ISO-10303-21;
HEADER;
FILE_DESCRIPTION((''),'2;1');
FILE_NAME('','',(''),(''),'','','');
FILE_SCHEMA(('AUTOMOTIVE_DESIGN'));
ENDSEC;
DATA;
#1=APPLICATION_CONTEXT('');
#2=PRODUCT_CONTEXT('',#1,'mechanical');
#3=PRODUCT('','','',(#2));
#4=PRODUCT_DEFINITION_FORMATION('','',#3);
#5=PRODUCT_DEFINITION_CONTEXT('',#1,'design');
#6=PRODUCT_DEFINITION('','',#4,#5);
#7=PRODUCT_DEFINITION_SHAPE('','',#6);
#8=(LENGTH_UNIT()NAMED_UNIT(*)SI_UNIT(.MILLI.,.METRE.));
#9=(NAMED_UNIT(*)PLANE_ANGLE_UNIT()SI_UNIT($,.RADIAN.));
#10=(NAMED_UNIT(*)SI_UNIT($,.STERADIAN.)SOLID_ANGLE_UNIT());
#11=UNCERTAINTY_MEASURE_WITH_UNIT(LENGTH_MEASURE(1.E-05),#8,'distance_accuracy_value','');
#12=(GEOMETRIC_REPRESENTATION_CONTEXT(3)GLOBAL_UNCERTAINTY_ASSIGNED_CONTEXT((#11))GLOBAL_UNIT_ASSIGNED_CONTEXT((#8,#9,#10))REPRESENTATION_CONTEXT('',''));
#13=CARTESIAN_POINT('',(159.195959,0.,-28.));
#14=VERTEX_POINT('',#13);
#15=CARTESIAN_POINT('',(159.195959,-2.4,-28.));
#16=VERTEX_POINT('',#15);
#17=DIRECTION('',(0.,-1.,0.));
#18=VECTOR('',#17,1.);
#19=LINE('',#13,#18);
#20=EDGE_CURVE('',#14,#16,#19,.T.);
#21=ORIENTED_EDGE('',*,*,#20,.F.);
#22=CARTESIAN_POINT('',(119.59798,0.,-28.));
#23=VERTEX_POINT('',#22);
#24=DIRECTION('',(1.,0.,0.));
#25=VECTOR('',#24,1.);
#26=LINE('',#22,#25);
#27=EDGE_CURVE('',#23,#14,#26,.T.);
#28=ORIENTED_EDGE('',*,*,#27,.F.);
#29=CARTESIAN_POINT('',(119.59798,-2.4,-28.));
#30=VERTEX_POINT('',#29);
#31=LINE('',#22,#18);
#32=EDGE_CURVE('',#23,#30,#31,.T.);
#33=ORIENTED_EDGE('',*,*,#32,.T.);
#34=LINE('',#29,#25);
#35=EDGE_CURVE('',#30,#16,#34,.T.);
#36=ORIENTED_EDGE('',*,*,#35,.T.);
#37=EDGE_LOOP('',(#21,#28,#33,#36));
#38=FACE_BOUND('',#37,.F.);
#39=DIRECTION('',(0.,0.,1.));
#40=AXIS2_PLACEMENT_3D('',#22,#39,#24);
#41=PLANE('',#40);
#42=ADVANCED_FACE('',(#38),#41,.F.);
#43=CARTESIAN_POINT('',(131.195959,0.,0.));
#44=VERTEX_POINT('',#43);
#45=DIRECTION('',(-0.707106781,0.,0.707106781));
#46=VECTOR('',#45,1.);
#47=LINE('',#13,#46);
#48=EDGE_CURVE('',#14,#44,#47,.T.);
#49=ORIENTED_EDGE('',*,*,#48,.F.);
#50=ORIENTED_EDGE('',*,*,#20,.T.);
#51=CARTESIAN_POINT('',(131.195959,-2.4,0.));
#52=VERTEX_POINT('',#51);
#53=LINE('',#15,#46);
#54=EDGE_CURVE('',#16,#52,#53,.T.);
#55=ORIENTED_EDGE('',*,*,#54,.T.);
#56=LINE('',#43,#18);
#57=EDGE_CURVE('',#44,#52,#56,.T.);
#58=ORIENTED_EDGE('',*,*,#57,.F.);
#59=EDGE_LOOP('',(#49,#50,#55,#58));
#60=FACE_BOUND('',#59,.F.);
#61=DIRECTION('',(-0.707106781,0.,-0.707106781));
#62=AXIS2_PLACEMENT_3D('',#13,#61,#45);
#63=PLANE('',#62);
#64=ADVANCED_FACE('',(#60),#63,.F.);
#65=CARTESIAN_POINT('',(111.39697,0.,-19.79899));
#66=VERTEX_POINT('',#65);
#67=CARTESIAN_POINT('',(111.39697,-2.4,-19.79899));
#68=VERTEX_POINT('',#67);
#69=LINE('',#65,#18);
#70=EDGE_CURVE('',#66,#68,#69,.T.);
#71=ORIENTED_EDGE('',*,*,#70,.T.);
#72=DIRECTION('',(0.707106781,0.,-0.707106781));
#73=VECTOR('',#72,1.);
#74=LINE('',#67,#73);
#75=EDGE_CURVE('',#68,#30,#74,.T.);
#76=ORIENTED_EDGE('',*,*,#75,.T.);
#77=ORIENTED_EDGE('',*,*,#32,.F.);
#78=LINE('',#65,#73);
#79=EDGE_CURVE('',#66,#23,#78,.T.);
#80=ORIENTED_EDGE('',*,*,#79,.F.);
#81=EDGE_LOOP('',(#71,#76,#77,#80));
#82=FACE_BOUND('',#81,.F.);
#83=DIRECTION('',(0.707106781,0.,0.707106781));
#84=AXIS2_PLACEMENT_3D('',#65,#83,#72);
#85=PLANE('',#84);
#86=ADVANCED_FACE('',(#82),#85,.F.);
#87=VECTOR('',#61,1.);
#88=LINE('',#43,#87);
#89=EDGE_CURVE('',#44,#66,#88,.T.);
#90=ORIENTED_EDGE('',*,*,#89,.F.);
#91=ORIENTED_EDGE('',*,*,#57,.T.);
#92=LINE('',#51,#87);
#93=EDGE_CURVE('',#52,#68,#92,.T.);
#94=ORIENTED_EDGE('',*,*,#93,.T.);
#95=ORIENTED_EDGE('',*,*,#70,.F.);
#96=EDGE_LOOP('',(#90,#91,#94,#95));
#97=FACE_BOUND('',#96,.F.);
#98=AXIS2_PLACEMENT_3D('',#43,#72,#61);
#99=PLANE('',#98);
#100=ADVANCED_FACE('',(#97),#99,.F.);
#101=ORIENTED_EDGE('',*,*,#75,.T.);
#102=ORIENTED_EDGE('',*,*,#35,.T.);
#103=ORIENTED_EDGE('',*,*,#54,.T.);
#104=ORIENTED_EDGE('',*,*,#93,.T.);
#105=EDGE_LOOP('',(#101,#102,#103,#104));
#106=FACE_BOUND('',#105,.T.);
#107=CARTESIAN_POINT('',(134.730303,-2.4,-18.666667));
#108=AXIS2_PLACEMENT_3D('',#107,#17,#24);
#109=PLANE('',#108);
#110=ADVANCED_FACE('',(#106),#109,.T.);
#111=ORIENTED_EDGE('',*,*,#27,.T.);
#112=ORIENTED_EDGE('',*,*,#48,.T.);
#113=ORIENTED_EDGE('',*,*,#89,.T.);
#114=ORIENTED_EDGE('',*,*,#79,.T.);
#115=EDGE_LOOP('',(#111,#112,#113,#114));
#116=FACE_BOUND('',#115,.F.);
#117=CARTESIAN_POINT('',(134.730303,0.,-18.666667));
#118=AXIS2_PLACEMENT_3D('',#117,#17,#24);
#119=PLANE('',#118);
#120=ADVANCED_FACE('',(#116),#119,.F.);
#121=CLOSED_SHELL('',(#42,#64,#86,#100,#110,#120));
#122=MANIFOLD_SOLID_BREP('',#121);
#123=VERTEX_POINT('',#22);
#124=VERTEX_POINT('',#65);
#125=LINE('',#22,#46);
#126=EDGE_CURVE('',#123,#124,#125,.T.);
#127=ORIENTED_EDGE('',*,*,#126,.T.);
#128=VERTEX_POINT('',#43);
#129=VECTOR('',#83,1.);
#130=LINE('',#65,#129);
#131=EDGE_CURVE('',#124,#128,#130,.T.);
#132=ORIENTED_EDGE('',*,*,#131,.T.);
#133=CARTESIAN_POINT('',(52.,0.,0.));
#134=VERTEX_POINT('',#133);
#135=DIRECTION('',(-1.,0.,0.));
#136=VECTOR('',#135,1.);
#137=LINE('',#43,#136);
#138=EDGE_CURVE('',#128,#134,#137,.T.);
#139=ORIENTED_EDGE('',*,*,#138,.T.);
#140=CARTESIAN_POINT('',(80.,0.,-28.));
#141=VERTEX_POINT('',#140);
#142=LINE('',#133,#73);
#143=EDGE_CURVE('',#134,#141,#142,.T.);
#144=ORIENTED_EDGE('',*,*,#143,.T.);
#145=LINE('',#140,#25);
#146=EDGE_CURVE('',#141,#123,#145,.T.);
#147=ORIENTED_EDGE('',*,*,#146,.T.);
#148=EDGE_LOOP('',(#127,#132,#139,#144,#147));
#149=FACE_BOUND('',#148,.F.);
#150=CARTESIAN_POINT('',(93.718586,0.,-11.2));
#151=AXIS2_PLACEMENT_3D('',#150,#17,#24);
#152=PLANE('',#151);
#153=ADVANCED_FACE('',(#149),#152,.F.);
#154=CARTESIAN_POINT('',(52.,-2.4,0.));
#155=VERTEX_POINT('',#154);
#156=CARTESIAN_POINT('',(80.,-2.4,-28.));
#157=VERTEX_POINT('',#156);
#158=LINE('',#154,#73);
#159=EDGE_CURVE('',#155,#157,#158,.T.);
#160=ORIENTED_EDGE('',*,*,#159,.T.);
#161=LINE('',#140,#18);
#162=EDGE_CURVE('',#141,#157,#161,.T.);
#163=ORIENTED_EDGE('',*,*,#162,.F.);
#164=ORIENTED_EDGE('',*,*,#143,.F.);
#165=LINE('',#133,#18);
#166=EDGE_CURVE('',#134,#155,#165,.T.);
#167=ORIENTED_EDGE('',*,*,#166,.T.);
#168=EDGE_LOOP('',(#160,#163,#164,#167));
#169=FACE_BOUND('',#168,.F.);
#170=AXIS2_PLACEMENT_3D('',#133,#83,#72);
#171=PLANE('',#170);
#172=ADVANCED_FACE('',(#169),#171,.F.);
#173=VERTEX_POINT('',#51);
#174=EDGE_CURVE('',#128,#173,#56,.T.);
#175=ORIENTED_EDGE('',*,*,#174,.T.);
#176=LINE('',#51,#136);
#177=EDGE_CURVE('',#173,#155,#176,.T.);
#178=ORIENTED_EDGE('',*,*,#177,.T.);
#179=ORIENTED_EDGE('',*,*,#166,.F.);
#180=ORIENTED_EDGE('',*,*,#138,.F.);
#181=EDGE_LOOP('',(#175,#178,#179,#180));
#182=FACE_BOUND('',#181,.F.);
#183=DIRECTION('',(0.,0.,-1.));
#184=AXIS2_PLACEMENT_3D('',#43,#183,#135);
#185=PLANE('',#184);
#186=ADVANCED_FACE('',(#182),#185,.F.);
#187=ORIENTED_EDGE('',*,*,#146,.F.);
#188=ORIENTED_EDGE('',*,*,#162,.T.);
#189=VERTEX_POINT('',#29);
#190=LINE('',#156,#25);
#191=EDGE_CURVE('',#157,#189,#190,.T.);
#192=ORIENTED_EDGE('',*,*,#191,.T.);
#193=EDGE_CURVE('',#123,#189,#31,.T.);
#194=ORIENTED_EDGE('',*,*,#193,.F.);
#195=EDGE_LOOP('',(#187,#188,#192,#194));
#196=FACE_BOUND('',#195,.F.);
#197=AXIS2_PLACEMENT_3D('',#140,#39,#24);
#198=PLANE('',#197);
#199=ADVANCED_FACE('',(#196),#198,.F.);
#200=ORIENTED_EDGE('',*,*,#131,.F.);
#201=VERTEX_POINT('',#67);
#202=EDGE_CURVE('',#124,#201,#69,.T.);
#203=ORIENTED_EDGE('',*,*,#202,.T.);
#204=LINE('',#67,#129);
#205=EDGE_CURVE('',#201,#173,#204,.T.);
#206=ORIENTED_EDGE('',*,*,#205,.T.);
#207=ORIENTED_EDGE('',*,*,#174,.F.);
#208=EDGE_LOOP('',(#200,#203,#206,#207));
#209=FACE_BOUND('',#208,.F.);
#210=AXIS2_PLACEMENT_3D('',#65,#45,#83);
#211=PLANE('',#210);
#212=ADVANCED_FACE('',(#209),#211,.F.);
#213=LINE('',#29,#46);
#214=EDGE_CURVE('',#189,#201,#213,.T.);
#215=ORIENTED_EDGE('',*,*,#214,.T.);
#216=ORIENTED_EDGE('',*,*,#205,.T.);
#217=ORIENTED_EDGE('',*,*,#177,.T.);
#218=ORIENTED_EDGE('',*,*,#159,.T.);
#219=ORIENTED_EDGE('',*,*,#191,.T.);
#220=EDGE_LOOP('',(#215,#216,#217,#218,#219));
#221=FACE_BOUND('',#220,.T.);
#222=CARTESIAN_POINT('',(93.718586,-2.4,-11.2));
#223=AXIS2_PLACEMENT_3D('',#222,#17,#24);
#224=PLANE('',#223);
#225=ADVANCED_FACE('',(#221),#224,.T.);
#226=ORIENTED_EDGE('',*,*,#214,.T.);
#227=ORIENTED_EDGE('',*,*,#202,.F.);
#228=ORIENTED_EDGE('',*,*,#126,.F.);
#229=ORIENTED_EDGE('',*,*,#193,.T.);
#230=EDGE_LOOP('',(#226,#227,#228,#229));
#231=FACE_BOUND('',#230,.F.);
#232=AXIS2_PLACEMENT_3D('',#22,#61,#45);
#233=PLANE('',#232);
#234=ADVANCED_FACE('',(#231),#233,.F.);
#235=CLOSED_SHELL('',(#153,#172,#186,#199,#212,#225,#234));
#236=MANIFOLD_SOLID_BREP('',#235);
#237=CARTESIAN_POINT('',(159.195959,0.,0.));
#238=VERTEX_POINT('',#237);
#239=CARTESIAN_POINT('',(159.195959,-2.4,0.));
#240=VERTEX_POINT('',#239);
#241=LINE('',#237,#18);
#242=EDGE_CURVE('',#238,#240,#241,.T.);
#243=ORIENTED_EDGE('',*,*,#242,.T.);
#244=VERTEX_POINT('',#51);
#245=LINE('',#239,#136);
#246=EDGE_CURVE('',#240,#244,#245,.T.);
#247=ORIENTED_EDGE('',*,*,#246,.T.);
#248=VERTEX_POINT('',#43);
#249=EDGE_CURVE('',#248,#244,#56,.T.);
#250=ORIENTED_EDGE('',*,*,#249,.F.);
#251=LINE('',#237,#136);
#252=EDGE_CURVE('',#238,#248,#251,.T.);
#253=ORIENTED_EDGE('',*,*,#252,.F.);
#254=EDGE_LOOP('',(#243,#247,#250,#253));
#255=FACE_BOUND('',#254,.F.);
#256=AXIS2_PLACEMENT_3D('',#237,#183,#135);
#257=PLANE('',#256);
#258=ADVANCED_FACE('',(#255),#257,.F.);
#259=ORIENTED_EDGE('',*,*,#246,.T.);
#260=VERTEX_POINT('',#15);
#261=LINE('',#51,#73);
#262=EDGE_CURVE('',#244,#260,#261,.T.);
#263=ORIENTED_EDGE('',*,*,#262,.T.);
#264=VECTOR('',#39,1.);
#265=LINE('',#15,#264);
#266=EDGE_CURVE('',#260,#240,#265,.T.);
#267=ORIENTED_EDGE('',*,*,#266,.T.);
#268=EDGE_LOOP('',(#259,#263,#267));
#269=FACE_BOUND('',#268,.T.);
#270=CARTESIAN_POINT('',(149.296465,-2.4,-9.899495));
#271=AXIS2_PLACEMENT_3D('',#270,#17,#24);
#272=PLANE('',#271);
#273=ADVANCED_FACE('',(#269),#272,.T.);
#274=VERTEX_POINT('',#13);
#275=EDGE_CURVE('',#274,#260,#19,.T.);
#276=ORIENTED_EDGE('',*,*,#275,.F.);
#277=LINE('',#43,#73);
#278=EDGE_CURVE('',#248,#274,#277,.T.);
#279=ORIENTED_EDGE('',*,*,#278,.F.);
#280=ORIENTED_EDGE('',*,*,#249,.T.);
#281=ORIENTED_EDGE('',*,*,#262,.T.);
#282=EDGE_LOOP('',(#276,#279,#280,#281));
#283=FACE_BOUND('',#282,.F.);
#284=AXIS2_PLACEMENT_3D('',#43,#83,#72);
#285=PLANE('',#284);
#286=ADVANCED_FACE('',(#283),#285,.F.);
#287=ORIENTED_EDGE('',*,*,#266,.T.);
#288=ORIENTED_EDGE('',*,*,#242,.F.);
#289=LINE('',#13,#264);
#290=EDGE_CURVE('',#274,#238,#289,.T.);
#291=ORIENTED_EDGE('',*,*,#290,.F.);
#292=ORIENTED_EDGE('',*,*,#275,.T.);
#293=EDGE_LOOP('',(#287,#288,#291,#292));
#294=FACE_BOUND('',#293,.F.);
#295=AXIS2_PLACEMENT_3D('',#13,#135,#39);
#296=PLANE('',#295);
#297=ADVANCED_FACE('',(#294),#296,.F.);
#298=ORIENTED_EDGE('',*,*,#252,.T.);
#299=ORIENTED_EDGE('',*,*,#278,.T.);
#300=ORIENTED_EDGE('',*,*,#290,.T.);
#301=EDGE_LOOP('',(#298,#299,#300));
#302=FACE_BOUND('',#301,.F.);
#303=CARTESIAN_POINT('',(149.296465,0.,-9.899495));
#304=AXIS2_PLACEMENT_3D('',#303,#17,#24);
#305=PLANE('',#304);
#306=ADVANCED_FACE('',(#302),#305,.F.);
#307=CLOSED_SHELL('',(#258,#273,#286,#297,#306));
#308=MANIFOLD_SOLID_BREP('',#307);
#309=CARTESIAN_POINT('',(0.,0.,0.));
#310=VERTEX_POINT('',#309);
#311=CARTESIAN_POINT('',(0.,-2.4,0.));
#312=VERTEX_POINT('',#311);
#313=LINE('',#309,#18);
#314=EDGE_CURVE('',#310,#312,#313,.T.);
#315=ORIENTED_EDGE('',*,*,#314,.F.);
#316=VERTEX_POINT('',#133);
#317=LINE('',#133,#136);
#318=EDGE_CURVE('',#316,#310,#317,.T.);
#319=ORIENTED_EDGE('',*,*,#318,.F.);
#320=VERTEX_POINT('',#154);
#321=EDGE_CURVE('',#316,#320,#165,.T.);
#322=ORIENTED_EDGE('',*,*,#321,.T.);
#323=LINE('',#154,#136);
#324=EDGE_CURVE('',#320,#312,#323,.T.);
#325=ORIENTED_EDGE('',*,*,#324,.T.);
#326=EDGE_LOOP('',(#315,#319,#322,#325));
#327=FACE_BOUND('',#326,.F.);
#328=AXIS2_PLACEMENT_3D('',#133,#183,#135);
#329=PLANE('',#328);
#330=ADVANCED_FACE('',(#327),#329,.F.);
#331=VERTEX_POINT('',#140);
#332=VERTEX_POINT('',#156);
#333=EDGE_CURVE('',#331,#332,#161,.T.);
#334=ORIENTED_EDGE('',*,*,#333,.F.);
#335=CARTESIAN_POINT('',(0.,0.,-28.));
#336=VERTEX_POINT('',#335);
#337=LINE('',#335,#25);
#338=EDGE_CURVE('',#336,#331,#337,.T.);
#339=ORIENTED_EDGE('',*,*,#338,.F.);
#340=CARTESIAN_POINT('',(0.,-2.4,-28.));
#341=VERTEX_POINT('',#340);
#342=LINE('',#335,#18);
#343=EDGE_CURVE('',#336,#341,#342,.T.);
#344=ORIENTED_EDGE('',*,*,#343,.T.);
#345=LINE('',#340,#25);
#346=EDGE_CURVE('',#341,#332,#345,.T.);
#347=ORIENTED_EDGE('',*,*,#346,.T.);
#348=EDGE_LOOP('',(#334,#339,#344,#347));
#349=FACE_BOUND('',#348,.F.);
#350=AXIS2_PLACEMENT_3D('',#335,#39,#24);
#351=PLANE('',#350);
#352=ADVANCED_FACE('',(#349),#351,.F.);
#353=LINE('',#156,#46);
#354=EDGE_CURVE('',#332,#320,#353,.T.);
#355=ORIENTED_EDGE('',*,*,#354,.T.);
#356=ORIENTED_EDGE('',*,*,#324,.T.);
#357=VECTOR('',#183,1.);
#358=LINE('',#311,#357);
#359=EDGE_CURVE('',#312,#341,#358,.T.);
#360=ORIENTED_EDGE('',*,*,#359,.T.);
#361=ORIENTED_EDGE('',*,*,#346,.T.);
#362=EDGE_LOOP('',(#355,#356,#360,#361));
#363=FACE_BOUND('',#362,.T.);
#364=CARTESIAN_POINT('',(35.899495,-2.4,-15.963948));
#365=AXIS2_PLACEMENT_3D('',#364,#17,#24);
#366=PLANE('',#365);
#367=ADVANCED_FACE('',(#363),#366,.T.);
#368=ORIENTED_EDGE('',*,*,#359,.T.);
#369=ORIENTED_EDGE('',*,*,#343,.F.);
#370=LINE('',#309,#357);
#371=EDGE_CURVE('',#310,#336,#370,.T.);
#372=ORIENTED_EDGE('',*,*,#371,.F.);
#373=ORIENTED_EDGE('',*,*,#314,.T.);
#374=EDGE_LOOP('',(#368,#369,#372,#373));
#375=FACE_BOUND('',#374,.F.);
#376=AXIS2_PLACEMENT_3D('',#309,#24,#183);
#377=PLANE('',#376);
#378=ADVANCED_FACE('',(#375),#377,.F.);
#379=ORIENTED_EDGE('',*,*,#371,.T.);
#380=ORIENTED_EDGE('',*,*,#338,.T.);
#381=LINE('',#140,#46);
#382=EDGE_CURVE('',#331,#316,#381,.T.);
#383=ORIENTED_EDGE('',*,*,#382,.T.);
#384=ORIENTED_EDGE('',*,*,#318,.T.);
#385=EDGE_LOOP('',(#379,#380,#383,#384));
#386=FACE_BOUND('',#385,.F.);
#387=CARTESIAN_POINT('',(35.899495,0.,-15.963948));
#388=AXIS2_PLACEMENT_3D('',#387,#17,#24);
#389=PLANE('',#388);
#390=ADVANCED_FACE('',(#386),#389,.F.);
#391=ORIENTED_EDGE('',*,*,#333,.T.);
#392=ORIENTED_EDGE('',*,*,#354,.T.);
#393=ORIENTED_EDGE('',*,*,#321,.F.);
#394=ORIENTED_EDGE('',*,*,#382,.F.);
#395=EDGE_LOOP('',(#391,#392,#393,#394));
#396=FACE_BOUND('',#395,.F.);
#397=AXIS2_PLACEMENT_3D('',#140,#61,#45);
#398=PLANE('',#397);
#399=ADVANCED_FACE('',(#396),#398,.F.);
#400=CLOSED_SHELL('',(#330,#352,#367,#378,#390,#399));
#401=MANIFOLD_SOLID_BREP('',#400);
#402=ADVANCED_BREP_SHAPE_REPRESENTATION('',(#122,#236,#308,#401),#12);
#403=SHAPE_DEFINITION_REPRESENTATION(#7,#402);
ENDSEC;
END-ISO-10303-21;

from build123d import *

# Parameters (mm, degrees)
F2_DEPTH = 2.4
F3_DEPTH = 2.4


with BuildPart() as f2:
    # F1 (on Front) → F2 (new body)
    with BuildSketch(Plane.XZ):
        Polygon((52, 0), (0, 0), (0, -28), (80, -28), align=None)
    extrude(amount=F2_DEPTH)


with BuildPart() as f2b:
    # F1 (on Front) → F2, piece 2 (new body)
    with BuildSketch(Plane.XZ):
        Polygon((159.1959594929, -28), (131.1959594929, 0), (111.3969696197, -19.7989898732), (119.5979797464, -28), align=None)
    extrude(amount=F2_DEPTH)


with BuildPart() as f3:
    # F1 (on Front) → F3 (new body)
    with BuildSketch(Plane.XZ):
        Polygon((131.1959594929, 0), (52, 0), (80, -28), (119.5979797464, -28), (111.3969696197, -19.7989898732), align=None)
    extrude(amount=F3_DEPTH)


with BuildPart() as f3b:
    # F1 (on Front) → F3, piece 2 (new body)
    with BuildSketch(Plane.XZ):
        Polygon((159.1959594929, 0), (131.1959594929, 0), (159.1959594929, -28), align=None)
    extrude(amount=F3_DEPTH)


solid = Compound([f2.part, f2b.part, f3.part, f3b.part])
